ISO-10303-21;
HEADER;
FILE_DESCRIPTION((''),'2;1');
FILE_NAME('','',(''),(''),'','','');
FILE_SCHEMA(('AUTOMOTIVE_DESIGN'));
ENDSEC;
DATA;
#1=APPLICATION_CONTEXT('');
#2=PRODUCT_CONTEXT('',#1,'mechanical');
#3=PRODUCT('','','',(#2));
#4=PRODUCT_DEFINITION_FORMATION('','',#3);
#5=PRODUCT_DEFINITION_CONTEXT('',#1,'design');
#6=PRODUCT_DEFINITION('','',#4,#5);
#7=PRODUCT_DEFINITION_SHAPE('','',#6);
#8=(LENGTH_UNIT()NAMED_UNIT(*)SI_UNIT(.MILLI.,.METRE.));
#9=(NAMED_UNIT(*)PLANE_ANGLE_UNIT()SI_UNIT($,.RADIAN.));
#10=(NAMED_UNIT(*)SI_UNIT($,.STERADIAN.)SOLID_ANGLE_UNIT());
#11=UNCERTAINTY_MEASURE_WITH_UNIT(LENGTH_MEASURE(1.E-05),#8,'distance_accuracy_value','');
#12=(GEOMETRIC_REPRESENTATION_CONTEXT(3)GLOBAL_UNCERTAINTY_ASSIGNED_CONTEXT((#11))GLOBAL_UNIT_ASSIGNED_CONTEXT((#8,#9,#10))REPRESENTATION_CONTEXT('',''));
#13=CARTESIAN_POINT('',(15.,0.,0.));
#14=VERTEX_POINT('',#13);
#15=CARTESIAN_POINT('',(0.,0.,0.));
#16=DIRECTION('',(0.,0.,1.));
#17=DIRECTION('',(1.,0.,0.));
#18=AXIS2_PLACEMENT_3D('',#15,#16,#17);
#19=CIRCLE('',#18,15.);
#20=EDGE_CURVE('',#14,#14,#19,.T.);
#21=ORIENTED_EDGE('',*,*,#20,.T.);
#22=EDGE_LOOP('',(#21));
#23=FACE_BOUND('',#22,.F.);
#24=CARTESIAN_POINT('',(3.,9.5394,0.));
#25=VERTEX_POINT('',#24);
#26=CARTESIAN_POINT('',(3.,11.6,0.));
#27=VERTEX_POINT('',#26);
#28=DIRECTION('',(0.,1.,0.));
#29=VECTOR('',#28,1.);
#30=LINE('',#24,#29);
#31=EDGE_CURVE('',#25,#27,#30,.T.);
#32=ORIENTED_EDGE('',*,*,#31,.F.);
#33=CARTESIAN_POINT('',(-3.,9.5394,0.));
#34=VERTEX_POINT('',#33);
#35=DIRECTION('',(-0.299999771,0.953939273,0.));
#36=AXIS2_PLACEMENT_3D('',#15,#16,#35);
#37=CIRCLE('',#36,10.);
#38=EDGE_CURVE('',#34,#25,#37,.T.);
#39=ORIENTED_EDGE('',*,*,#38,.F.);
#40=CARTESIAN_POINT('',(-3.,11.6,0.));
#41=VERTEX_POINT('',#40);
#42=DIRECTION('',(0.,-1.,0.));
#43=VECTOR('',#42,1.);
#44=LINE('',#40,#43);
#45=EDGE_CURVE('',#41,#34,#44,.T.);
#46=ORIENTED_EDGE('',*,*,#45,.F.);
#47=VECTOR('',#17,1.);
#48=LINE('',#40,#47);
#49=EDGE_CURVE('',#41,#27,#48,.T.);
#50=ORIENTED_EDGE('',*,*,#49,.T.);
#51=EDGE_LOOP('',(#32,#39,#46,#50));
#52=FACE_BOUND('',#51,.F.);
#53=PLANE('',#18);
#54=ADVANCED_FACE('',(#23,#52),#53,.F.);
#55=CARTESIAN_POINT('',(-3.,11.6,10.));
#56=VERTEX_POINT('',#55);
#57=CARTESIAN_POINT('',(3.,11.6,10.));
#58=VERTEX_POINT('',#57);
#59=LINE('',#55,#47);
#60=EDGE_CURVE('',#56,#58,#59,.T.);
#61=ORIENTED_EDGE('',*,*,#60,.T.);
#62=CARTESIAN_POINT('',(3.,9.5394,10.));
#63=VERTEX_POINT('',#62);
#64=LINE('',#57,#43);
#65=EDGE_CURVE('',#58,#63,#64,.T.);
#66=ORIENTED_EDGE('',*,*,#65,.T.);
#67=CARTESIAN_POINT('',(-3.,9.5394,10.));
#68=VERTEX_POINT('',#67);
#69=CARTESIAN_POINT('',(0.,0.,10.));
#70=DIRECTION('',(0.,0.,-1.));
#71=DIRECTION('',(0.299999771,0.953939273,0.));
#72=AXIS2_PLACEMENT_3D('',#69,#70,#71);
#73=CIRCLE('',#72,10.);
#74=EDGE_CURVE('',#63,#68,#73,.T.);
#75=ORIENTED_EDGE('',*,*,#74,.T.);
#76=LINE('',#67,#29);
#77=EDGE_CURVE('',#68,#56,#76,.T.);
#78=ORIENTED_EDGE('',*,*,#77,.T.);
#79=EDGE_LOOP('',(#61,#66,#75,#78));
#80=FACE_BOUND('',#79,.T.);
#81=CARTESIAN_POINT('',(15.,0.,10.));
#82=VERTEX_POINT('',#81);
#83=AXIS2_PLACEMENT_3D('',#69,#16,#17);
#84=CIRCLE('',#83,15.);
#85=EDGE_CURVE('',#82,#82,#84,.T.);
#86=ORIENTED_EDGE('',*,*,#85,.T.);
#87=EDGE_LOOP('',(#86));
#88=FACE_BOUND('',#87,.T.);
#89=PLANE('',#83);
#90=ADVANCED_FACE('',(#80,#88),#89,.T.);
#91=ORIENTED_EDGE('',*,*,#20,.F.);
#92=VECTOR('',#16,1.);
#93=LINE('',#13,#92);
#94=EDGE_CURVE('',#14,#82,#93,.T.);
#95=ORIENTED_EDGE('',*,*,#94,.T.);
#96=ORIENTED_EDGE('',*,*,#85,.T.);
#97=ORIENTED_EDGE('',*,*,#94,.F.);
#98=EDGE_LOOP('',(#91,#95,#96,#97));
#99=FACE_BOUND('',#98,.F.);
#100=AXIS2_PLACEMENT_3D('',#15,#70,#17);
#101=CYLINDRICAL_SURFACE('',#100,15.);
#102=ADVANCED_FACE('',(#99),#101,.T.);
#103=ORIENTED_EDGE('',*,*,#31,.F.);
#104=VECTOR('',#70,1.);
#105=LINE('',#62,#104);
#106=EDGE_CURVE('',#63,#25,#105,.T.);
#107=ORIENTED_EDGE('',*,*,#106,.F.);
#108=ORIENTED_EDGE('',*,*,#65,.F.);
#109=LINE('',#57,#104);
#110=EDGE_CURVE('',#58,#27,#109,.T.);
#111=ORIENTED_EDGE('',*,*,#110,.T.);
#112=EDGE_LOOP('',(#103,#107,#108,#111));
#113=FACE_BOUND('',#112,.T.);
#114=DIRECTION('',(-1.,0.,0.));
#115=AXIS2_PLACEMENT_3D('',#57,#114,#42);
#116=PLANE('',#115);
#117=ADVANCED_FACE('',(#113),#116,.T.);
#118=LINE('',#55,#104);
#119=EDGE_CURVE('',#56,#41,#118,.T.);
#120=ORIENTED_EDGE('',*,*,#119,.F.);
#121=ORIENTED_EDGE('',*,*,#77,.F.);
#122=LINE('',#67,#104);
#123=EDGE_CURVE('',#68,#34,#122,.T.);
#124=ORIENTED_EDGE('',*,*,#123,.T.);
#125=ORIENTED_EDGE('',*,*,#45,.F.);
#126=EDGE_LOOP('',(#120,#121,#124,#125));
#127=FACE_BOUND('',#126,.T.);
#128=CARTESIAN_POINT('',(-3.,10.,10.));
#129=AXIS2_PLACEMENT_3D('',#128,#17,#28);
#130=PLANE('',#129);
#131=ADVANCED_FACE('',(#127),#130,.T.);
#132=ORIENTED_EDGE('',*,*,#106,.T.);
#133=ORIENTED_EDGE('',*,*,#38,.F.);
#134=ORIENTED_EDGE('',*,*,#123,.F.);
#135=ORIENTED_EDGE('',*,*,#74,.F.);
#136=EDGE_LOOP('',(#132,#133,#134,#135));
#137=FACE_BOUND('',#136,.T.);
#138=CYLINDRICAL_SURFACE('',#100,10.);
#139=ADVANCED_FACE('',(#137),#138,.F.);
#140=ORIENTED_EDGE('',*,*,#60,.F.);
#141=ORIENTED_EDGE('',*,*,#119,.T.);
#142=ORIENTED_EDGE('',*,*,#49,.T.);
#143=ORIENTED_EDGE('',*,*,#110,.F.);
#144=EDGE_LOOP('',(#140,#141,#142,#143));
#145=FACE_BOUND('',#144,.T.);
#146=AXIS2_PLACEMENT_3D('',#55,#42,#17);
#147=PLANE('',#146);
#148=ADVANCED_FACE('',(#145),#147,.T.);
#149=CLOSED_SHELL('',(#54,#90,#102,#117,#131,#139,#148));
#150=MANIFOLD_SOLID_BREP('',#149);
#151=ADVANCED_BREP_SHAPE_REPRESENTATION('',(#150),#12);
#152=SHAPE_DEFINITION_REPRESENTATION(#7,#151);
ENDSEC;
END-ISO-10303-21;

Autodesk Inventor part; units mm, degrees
ref_plane "YZ Plane" through (0, 0, 0) normal (1, 0, 0) x (0, 1, 0)
ref_plane "XZ Plane" through (0, 0, 0) normal (0, 1, 0) x (-1, 0, 0)
ref_plane "XY Plane" through (0, 0, 0) normal (0, 0, 1) x (1, 0, 0)
sketch "草图1" plane through (0, 0, 0) normal (0, 0, 1) x (1, 0, 0)
  circle A0 centre (0, 0) radius 15
  circle A1 centre (0, 0) radius 10
  dimension "d0" = 30
  dimension "d1" = 20
extrude "拉伸1" add sketch "草图1" along normal blind 10
sketch "草图2" plane through (0, 0, 10) normal (0, 0, 1) x (1, 0, 0)
  line L0 (-3, 11.6) -> (3, 11.6)
  line L1 (3, 11.6) -> (3, 10)
  line L2 (3, 10) -> (-3, 10)
  line L3 (-3, 10) -> (-3, 11.6)
  circle A0 centre (0, 0) radius 10 projected
  line L4 (-3, 10) -> (-3, 9.5394)
  line L5 (3, 10) -> (3, 9.5394)
  circle A1 centre (0, 0) radius 10 projected
  arc A2 (3, 9.5394) -> (-3, 9.5394) centre (0, 0) ccw
  point P0 (0, 10)
  dimension "d4" = 6
  dimension "d5" = 1.6
extrude "拉伸2" cut sketch "草图2" against normal blind 10 contours L0 L1 L2 L3 | L2 A0 L4 | L5 A0 L2
properties part number "中间传动大锥齿轮"
